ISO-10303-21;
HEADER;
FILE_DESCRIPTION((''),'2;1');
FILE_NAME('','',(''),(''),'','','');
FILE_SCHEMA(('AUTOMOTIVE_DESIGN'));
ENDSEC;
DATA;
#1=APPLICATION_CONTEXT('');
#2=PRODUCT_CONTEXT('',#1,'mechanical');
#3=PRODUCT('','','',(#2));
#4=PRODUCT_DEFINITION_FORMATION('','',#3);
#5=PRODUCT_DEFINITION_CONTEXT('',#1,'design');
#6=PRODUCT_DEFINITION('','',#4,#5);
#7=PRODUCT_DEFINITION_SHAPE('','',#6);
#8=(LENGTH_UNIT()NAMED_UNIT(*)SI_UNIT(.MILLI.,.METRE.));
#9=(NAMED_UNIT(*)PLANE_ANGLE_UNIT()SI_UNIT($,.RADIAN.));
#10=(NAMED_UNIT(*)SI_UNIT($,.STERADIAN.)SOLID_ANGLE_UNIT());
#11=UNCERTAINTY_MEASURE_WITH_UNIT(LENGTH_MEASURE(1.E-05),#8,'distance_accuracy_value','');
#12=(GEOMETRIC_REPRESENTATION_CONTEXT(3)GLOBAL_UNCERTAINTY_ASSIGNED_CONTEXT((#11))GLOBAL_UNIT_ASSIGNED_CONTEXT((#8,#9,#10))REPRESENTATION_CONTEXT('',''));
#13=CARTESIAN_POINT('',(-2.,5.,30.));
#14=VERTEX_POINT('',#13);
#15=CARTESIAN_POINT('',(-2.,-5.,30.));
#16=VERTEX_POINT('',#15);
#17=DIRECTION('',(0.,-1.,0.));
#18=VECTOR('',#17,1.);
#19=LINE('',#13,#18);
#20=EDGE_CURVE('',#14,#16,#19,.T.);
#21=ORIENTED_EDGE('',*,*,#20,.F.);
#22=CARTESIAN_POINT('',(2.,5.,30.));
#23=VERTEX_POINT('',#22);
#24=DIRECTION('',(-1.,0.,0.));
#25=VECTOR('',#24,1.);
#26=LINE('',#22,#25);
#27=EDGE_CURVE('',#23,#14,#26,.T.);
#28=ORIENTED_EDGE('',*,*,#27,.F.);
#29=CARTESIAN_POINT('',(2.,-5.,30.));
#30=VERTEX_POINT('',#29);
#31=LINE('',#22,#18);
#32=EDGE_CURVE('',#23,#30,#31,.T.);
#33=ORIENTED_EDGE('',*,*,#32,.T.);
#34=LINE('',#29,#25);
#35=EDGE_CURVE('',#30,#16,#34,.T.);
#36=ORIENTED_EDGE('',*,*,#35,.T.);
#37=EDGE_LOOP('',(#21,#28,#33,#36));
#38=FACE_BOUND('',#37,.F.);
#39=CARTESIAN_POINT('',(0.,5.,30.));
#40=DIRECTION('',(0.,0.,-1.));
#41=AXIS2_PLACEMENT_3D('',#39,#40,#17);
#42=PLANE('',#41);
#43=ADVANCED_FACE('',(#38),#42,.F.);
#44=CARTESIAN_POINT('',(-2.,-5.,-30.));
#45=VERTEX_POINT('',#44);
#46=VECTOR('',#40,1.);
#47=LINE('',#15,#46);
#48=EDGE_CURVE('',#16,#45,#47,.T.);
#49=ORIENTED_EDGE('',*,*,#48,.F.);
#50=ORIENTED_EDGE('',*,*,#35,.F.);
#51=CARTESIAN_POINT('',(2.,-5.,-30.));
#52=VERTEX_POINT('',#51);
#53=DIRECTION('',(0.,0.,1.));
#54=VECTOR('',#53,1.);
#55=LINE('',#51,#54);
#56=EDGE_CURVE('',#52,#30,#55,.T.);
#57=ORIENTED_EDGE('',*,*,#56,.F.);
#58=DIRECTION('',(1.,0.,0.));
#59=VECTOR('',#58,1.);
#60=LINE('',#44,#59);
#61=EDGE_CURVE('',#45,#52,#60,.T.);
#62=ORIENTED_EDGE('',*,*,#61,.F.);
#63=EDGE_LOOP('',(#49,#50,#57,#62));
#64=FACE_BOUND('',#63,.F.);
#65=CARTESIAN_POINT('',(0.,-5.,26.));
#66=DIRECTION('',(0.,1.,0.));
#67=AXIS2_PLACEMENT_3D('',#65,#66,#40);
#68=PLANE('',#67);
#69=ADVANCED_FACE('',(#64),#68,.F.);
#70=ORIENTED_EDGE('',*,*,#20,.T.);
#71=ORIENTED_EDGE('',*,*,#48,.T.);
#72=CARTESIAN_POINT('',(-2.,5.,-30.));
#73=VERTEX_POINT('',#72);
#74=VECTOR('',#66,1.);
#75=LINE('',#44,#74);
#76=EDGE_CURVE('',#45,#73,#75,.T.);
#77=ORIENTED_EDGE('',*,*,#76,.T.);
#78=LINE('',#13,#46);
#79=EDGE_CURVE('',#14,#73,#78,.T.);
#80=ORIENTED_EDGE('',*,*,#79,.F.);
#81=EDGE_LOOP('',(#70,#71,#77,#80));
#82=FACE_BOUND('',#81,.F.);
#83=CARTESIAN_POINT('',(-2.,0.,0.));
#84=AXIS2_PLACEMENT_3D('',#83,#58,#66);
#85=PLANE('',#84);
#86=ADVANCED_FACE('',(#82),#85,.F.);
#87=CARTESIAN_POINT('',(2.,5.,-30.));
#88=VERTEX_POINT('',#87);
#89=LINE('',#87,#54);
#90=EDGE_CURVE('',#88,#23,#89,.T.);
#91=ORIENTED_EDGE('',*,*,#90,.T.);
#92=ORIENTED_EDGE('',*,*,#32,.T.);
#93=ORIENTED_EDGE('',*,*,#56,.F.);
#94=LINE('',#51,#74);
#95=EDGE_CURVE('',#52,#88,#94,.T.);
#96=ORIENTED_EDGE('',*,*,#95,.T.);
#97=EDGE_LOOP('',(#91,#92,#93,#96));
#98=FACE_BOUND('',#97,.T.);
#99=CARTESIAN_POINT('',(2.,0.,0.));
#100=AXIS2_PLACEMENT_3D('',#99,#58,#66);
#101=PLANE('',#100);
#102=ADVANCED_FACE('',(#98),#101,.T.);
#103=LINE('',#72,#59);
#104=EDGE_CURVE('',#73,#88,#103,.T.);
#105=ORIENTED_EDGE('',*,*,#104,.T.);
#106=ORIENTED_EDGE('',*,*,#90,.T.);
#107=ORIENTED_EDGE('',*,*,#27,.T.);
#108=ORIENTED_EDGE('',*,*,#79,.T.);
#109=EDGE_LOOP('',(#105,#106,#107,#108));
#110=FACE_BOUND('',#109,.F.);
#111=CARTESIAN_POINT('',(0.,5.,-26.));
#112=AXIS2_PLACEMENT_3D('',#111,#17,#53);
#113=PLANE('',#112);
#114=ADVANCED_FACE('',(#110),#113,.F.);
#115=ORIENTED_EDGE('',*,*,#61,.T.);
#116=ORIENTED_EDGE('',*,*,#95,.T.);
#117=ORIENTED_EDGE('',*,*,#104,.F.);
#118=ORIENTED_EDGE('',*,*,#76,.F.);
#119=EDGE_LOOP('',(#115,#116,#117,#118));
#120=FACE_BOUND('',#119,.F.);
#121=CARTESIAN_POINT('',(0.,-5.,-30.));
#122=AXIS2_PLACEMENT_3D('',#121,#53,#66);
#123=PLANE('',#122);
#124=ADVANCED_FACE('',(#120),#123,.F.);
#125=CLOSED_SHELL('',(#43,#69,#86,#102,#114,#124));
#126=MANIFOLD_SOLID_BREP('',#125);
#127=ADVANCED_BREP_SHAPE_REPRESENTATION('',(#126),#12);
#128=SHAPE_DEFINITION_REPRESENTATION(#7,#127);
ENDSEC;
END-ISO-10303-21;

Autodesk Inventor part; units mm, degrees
ref_plane "YZ Plane" through (0, 0, 0) normal (1, 0, 0) x (0, 1, 0)
ref_plane "XZ Plane" through (0, 0, 0) normal (0, 1, 0) x (-1, 0, 0)
ref_plane "XY Plane" through (0, 0, 0) normal (0, 0, 1) x (1, 0, 0)
sketch "Эскиз1" plane through (0, 0, 0) normal (1, 0, 0) x (0, 1, 0)
  line L0 (0, -42) -> (0, 42) construction
  line L1 (-5, -26) -> (5, -26)
  line L2 (5, -26) -> (5, 26)
  line L3 (5, 26) -> (-5, 26)
  line L4 (-5, 26) -> (-5, -26)
  line L5 (-5, -26) -> (5, 26) construction
  line L6 (5, -26) -> (-5, 26) construction
  line L7 (5, 30) -> (-5, 30)
  line L8 (-5, 30) -> (-5, 26)
  line L9 (-5, 26) -> (5, 26)
  line L10 (5, 26) -> (5, 30)
  line L11 (5, -26) -> (-5, -26)
  line L12 (-5, -26) -> (-5, -30)
  line L13 (-5, -30) -> (5, -30)
  line L14 (5, -30) -> (5, -26)
  point P0 (0, 0)
  dimension "d3" = 10
  dimension "d4" = 60
  dimension "d5" = 4
  dimension "d6" = 10
extrude "Выдавливание1" add sketch "Эскиз1" along normal mid plane 4
properties part number "Кусочек барабана"
